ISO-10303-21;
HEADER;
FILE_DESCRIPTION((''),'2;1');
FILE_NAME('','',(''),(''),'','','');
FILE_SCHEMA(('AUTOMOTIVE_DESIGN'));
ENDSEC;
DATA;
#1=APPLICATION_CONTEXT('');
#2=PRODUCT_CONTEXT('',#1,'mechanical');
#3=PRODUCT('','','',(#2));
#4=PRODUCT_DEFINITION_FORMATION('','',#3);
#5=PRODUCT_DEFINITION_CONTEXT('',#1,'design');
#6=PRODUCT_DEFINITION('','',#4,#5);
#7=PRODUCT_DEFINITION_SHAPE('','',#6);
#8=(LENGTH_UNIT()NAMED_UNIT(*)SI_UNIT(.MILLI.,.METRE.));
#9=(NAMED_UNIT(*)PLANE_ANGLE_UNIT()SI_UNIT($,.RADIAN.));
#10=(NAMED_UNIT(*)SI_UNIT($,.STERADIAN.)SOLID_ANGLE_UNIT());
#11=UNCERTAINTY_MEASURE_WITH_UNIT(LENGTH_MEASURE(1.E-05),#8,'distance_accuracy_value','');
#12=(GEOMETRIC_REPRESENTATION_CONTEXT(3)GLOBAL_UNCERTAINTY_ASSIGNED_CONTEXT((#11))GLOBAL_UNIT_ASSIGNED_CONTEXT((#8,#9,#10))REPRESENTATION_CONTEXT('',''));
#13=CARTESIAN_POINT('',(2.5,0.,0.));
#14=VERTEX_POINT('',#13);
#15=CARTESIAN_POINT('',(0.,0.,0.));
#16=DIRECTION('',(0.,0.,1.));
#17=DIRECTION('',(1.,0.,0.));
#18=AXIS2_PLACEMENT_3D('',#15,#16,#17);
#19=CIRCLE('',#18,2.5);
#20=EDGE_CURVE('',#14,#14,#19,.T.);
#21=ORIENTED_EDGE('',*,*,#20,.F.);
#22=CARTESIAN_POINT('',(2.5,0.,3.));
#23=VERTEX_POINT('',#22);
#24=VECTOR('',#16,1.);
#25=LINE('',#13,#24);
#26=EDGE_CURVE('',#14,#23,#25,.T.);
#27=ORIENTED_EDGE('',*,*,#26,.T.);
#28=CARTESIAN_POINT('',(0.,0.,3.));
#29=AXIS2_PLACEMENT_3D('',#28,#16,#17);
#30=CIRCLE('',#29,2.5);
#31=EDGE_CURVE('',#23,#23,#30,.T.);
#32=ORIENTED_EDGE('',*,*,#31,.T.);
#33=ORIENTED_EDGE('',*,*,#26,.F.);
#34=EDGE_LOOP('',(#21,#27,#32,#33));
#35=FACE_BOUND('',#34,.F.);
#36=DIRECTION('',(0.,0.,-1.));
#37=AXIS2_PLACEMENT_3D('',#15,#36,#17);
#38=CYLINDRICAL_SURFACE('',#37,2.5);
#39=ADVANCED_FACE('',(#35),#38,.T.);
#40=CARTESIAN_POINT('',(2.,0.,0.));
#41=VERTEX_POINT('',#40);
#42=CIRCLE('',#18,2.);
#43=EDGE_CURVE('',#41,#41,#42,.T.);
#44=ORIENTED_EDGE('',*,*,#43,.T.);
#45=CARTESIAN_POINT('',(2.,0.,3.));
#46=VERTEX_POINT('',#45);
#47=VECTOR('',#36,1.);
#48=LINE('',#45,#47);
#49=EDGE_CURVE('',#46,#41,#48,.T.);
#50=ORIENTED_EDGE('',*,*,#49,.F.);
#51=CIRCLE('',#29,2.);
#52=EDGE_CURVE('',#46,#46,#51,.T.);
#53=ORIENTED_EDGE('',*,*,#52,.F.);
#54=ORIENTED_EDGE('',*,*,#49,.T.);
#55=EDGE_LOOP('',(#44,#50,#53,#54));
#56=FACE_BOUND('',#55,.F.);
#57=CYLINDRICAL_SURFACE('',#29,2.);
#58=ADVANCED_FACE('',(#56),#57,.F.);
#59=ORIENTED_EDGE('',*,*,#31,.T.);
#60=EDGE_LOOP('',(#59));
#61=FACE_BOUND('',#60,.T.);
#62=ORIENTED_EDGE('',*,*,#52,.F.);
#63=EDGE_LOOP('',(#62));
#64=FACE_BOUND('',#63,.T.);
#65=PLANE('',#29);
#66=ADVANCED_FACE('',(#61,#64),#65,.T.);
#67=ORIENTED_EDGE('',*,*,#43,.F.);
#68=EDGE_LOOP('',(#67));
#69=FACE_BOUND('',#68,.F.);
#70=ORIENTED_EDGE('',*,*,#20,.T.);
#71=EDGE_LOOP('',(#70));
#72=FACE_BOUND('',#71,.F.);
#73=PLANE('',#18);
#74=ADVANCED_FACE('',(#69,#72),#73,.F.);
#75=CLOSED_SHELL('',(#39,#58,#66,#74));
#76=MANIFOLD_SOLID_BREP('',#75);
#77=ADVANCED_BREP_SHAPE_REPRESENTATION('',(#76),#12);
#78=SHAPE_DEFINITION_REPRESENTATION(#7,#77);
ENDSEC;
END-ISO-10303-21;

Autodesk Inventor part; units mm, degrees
ref_plane "YZ Plane" through (0, 0, 0) normal (1, 0, 0) x (0, 1, 0)
ref_plane "XZ Plane" through (0, 0, 0) normal (0, 1, 0) x (-1, 0, 0)
ref_plane "XY Plane" through (0, 0, 0) normal (0, 0, 1) x (1, 0, 0)
sketch "Sketch1" plane through (0, 0, 0) normal (0, 0, 1) x (1, 0, 0)
  circle A0 centre (0, 0) radius 2.5
  dimension "d0" = 5
extrude "Extrusion1" add sketch "Sketch1" along normal blind 3
sketch "Sketch2" plane through (0, 0, 3) normal (0, 0, 1) x (1, 0, 0)
  circle A0 centre (0, 0) radius 2
  dimension "d3" = 4
extrude "Extrusion2" cut sketch "Sketch2" against normal blind 3
properties part number "Separador" material "PBT Plastic"
